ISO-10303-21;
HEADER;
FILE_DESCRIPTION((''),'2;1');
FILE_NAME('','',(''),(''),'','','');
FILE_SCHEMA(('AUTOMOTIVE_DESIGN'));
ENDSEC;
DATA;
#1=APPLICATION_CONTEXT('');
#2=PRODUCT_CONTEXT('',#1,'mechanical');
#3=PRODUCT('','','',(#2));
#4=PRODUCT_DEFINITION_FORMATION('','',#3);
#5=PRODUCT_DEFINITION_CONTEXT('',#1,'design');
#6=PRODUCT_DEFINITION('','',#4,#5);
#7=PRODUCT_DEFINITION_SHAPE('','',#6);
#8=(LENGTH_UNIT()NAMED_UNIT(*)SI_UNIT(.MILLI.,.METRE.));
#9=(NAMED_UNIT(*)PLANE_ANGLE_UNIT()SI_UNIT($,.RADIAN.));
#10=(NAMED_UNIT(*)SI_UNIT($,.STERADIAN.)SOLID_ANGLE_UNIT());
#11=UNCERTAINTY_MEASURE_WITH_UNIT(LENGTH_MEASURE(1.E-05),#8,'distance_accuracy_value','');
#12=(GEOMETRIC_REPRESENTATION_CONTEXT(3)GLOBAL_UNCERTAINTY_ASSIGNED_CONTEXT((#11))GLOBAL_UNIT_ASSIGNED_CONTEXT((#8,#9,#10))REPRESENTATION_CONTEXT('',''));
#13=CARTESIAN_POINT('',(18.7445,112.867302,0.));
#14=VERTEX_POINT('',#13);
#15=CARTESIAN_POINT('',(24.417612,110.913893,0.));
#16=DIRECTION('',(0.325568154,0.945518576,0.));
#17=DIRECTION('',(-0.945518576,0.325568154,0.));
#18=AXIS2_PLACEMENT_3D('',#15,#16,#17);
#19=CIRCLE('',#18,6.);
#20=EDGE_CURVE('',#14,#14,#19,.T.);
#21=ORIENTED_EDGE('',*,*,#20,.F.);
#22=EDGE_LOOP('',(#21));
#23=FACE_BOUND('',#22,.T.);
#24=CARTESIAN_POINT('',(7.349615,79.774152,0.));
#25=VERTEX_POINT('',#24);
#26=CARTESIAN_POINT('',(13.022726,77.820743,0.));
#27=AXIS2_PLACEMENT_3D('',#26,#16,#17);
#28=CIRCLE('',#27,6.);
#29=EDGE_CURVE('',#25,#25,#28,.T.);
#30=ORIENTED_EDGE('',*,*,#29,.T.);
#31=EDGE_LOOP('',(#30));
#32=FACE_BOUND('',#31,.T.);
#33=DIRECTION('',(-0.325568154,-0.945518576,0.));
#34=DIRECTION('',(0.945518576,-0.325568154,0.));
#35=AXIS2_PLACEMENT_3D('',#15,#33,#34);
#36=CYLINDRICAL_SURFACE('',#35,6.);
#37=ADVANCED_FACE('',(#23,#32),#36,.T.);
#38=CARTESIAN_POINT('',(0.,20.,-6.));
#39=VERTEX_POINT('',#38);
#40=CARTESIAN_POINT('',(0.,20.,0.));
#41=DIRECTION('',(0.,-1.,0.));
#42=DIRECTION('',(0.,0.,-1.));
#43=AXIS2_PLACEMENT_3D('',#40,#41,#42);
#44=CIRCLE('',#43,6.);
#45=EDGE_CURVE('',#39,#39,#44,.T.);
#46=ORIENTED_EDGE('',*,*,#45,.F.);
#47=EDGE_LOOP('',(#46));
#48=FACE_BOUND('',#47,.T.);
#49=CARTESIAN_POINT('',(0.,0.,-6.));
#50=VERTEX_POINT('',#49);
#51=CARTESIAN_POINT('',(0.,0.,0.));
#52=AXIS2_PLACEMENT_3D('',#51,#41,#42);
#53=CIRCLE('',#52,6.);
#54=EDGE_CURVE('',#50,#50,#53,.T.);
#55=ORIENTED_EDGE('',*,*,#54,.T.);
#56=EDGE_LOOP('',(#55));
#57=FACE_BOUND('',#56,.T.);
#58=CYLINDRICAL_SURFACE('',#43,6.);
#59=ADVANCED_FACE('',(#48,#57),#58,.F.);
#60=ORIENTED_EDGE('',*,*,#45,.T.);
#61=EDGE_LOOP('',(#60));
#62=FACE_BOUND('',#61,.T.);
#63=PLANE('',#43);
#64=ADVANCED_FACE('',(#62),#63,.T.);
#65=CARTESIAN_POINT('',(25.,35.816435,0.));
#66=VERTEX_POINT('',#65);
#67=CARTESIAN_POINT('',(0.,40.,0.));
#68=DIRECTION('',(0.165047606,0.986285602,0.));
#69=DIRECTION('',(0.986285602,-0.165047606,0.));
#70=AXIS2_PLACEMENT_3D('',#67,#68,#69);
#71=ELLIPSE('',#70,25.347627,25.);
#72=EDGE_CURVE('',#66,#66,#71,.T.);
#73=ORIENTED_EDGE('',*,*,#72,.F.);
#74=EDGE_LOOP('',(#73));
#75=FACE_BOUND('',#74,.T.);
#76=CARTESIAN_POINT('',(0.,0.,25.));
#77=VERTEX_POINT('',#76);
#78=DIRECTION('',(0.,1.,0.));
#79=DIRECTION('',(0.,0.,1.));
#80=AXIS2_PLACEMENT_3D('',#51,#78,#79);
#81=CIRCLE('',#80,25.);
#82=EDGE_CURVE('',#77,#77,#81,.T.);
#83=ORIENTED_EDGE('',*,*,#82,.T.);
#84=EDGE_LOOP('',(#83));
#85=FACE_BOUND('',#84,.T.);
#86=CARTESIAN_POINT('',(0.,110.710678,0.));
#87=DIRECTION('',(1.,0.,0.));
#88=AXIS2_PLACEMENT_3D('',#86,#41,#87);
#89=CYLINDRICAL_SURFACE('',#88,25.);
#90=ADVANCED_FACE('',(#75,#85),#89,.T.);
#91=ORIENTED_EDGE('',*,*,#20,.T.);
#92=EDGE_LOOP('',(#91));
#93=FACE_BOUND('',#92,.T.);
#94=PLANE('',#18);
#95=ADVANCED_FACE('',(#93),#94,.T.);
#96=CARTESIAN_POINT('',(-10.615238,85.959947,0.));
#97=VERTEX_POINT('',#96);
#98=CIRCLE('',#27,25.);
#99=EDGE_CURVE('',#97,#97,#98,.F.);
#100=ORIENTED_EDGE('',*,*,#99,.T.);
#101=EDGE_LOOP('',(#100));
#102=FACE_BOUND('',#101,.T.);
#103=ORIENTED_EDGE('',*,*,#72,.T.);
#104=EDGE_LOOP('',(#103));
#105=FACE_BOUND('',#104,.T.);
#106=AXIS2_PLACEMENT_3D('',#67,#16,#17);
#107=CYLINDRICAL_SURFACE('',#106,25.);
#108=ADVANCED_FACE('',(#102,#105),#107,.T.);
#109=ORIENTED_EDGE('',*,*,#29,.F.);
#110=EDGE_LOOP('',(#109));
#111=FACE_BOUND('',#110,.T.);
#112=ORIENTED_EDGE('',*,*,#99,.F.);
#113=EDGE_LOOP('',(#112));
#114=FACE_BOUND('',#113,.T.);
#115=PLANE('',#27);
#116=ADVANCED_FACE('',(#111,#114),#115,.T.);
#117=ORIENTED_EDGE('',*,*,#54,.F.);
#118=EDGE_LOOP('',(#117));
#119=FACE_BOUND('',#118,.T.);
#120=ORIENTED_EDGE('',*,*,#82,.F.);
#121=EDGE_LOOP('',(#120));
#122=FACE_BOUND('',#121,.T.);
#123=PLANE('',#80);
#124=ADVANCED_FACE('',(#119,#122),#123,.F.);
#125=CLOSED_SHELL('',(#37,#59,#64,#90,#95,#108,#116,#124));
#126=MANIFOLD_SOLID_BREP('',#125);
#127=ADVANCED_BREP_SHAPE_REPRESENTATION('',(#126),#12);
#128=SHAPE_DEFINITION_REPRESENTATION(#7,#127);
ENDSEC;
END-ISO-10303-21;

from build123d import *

# Parameters (mm, degrees)
ESBO_O2_R                = 25
ESBO_O3_R                = 6
RESSALTO_EXTRUS_O1_DEPTH = 35
ESBO_O4_R                = 6
CORTE_EXTRUS_O1_DEPTH    = 20


with BuildPart() as part:
    # Varredura1: sweep along a path in Esboço1
    with BuildLine(Plane.XY) as varredura1_path:
        Line((13.022726178, 77.820743024), (0, 40))
        Line((0, 40), (0, 0))
    # Esboço2 → Varredura1 (sweep)
    with BuildSketch(Plane(origin=(0, 0, 0), x_dir=(1, 0, 0), z_dir=(0, 1, 0))):
        Circle(ESBO_O2_R)
    sweep(path=varredura1_path.line, transition=Transition.RIGHT)

    # Esboço3 → Ressalto-extrusão1 (add)
    with BuildSketch(Plane(origin=(25.335955685, 73.580958096, 0), x_dir=(0.945518576, -0.325568154, 0), z_dir=(0.325568154, 0.945518576, 0))):
        with Locations((-13.022726178, 0)):
            Circle(ESBO_O3_R)
    extrude(amount=RESSALTO_EXTRUS_O1_DEPTH)

    # Esboço4 → Corte-extrusão1 (cut)
    with BuildSketch(Plane.XZ):
        Circle(ESBO_O4_R)
    extrude(amount=-CORTE_EXTRUS_O1_DEPTH, mode=Mode.SUBTRACT)


solid = part.part
